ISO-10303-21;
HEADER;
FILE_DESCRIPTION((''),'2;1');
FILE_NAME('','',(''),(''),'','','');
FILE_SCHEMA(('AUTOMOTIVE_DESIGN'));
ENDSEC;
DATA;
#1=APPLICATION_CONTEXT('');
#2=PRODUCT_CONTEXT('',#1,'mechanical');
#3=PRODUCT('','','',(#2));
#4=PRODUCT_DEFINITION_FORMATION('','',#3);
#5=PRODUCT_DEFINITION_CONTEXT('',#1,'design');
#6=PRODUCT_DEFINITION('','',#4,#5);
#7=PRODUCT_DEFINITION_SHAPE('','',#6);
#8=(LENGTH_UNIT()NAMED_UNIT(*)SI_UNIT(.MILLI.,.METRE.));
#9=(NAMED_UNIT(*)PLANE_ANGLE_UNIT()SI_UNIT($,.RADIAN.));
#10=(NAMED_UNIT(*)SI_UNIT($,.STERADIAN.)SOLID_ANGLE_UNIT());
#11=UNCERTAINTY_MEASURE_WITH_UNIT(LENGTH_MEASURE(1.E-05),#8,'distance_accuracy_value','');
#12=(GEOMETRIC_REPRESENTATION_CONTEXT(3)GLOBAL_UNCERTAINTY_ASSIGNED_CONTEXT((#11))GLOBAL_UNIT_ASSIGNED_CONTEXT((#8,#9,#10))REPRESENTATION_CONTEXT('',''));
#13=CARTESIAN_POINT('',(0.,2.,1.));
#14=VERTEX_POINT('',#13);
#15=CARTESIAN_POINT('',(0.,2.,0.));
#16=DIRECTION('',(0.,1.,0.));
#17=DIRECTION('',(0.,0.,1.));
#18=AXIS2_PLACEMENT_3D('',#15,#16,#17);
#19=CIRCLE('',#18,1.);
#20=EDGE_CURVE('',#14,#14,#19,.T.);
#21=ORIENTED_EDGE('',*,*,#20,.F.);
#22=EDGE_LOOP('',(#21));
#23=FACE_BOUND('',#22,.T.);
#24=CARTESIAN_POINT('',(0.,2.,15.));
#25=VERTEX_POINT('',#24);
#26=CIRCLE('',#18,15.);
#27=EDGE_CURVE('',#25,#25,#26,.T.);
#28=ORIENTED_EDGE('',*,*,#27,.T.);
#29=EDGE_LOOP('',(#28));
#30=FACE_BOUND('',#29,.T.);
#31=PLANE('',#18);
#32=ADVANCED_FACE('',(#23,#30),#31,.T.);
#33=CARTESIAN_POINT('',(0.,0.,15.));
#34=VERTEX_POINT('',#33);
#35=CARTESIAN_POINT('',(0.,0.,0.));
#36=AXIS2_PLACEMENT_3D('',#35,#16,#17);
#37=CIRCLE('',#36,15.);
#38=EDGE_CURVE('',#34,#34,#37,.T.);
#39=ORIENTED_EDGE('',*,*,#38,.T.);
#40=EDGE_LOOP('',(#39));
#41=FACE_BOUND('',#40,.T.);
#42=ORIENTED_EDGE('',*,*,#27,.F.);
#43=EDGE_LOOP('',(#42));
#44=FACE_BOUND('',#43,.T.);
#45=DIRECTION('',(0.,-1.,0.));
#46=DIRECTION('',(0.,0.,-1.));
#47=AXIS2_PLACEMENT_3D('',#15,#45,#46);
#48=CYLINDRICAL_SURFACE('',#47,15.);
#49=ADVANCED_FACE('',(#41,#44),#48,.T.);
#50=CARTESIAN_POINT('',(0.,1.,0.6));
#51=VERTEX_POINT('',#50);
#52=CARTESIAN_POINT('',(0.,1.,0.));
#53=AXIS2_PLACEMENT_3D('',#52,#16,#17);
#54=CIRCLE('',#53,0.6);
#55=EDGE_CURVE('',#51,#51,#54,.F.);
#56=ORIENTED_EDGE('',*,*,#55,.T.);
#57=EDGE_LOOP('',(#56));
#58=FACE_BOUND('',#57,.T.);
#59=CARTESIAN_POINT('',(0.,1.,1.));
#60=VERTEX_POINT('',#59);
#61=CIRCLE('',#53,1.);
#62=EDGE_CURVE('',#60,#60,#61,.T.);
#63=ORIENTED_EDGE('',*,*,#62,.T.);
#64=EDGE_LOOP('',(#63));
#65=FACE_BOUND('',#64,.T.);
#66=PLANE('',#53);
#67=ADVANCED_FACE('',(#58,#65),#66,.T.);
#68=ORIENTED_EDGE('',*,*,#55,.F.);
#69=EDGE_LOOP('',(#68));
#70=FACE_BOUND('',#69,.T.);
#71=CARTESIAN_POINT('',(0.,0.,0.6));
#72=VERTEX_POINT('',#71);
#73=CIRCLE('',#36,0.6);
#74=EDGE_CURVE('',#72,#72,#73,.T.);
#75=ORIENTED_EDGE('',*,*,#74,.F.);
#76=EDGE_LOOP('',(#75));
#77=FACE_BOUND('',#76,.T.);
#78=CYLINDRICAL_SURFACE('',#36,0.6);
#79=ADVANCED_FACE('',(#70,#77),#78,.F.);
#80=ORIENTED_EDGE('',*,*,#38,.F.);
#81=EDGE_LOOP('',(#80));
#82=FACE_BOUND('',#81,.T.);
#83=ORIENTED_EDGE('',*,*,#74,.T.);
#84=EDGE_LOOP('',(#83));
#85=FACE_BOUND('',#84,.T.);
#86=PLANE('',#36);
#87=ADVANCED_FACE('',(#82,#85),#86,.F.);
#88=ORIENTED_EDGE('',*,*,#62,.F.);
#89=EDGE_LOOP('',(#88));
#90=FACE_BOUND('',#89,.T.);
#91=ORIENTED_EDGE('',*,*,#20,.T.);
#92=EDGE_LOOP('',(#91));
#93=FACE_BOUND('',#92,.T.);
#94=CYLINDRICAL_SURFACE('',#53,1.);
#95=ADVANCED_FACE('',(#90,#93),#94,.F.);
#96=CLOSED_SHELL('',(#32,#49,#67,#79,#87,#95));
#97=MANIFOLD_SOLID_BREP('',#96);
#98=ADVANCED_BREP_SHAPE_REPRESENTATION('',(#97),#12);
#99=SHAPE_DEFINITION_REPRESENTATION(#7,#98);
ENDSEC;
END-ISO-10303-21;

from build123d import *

# Parameters (mm, degrees)
SKETCH_1_R          = 15
EXTRUDE_1_DEPTH     = 2
SKETCH_2_R          = 0.6
CUT_EXTRUDE_1_DEPTH = 22.307275753
SKETCH_2_3_R        = 1
CUT_EXTRUDE_2_DEPTH = 1


with BuildPart() as part:
    # 草图1 → 凸台-拉伸1 (new body)
    with BuildSketch(Plane(origin=(0, 0, 0), x_dir=(1, 0, 0), z_dir=(0, 1, 0))):
        Circle(SKETCH_1_R)
    extrude(amount=EXTRUDE_1_DEPTH)

    # 草图2 → 切除-拉伸1 (cut, through all)
    with BuildSketch(Plane(origin=(0, 2, 0), x_dir=(1, 0, 0), z_dir=(0, 1, 0))):
        Circle(SKETCH_2_R)
    extrude(amount=-CUT_EXTRUDE_1_DEPTH, mode=Mode.SUBTRACT)

    # 草图2<3> → 切除-拉伸2 (cut)
    with BuildSketch(Plane(origin=(0, 2, 0), x_dir=(1, 0, 0), z_dir=(0, 1, 0))):
        Circle(SKETCH_2_3_R)
    extrude(amount=-CUT_EXTRUDE_2_DEPTH, mode=Mode.SUBTRACT)


solid = part.part
